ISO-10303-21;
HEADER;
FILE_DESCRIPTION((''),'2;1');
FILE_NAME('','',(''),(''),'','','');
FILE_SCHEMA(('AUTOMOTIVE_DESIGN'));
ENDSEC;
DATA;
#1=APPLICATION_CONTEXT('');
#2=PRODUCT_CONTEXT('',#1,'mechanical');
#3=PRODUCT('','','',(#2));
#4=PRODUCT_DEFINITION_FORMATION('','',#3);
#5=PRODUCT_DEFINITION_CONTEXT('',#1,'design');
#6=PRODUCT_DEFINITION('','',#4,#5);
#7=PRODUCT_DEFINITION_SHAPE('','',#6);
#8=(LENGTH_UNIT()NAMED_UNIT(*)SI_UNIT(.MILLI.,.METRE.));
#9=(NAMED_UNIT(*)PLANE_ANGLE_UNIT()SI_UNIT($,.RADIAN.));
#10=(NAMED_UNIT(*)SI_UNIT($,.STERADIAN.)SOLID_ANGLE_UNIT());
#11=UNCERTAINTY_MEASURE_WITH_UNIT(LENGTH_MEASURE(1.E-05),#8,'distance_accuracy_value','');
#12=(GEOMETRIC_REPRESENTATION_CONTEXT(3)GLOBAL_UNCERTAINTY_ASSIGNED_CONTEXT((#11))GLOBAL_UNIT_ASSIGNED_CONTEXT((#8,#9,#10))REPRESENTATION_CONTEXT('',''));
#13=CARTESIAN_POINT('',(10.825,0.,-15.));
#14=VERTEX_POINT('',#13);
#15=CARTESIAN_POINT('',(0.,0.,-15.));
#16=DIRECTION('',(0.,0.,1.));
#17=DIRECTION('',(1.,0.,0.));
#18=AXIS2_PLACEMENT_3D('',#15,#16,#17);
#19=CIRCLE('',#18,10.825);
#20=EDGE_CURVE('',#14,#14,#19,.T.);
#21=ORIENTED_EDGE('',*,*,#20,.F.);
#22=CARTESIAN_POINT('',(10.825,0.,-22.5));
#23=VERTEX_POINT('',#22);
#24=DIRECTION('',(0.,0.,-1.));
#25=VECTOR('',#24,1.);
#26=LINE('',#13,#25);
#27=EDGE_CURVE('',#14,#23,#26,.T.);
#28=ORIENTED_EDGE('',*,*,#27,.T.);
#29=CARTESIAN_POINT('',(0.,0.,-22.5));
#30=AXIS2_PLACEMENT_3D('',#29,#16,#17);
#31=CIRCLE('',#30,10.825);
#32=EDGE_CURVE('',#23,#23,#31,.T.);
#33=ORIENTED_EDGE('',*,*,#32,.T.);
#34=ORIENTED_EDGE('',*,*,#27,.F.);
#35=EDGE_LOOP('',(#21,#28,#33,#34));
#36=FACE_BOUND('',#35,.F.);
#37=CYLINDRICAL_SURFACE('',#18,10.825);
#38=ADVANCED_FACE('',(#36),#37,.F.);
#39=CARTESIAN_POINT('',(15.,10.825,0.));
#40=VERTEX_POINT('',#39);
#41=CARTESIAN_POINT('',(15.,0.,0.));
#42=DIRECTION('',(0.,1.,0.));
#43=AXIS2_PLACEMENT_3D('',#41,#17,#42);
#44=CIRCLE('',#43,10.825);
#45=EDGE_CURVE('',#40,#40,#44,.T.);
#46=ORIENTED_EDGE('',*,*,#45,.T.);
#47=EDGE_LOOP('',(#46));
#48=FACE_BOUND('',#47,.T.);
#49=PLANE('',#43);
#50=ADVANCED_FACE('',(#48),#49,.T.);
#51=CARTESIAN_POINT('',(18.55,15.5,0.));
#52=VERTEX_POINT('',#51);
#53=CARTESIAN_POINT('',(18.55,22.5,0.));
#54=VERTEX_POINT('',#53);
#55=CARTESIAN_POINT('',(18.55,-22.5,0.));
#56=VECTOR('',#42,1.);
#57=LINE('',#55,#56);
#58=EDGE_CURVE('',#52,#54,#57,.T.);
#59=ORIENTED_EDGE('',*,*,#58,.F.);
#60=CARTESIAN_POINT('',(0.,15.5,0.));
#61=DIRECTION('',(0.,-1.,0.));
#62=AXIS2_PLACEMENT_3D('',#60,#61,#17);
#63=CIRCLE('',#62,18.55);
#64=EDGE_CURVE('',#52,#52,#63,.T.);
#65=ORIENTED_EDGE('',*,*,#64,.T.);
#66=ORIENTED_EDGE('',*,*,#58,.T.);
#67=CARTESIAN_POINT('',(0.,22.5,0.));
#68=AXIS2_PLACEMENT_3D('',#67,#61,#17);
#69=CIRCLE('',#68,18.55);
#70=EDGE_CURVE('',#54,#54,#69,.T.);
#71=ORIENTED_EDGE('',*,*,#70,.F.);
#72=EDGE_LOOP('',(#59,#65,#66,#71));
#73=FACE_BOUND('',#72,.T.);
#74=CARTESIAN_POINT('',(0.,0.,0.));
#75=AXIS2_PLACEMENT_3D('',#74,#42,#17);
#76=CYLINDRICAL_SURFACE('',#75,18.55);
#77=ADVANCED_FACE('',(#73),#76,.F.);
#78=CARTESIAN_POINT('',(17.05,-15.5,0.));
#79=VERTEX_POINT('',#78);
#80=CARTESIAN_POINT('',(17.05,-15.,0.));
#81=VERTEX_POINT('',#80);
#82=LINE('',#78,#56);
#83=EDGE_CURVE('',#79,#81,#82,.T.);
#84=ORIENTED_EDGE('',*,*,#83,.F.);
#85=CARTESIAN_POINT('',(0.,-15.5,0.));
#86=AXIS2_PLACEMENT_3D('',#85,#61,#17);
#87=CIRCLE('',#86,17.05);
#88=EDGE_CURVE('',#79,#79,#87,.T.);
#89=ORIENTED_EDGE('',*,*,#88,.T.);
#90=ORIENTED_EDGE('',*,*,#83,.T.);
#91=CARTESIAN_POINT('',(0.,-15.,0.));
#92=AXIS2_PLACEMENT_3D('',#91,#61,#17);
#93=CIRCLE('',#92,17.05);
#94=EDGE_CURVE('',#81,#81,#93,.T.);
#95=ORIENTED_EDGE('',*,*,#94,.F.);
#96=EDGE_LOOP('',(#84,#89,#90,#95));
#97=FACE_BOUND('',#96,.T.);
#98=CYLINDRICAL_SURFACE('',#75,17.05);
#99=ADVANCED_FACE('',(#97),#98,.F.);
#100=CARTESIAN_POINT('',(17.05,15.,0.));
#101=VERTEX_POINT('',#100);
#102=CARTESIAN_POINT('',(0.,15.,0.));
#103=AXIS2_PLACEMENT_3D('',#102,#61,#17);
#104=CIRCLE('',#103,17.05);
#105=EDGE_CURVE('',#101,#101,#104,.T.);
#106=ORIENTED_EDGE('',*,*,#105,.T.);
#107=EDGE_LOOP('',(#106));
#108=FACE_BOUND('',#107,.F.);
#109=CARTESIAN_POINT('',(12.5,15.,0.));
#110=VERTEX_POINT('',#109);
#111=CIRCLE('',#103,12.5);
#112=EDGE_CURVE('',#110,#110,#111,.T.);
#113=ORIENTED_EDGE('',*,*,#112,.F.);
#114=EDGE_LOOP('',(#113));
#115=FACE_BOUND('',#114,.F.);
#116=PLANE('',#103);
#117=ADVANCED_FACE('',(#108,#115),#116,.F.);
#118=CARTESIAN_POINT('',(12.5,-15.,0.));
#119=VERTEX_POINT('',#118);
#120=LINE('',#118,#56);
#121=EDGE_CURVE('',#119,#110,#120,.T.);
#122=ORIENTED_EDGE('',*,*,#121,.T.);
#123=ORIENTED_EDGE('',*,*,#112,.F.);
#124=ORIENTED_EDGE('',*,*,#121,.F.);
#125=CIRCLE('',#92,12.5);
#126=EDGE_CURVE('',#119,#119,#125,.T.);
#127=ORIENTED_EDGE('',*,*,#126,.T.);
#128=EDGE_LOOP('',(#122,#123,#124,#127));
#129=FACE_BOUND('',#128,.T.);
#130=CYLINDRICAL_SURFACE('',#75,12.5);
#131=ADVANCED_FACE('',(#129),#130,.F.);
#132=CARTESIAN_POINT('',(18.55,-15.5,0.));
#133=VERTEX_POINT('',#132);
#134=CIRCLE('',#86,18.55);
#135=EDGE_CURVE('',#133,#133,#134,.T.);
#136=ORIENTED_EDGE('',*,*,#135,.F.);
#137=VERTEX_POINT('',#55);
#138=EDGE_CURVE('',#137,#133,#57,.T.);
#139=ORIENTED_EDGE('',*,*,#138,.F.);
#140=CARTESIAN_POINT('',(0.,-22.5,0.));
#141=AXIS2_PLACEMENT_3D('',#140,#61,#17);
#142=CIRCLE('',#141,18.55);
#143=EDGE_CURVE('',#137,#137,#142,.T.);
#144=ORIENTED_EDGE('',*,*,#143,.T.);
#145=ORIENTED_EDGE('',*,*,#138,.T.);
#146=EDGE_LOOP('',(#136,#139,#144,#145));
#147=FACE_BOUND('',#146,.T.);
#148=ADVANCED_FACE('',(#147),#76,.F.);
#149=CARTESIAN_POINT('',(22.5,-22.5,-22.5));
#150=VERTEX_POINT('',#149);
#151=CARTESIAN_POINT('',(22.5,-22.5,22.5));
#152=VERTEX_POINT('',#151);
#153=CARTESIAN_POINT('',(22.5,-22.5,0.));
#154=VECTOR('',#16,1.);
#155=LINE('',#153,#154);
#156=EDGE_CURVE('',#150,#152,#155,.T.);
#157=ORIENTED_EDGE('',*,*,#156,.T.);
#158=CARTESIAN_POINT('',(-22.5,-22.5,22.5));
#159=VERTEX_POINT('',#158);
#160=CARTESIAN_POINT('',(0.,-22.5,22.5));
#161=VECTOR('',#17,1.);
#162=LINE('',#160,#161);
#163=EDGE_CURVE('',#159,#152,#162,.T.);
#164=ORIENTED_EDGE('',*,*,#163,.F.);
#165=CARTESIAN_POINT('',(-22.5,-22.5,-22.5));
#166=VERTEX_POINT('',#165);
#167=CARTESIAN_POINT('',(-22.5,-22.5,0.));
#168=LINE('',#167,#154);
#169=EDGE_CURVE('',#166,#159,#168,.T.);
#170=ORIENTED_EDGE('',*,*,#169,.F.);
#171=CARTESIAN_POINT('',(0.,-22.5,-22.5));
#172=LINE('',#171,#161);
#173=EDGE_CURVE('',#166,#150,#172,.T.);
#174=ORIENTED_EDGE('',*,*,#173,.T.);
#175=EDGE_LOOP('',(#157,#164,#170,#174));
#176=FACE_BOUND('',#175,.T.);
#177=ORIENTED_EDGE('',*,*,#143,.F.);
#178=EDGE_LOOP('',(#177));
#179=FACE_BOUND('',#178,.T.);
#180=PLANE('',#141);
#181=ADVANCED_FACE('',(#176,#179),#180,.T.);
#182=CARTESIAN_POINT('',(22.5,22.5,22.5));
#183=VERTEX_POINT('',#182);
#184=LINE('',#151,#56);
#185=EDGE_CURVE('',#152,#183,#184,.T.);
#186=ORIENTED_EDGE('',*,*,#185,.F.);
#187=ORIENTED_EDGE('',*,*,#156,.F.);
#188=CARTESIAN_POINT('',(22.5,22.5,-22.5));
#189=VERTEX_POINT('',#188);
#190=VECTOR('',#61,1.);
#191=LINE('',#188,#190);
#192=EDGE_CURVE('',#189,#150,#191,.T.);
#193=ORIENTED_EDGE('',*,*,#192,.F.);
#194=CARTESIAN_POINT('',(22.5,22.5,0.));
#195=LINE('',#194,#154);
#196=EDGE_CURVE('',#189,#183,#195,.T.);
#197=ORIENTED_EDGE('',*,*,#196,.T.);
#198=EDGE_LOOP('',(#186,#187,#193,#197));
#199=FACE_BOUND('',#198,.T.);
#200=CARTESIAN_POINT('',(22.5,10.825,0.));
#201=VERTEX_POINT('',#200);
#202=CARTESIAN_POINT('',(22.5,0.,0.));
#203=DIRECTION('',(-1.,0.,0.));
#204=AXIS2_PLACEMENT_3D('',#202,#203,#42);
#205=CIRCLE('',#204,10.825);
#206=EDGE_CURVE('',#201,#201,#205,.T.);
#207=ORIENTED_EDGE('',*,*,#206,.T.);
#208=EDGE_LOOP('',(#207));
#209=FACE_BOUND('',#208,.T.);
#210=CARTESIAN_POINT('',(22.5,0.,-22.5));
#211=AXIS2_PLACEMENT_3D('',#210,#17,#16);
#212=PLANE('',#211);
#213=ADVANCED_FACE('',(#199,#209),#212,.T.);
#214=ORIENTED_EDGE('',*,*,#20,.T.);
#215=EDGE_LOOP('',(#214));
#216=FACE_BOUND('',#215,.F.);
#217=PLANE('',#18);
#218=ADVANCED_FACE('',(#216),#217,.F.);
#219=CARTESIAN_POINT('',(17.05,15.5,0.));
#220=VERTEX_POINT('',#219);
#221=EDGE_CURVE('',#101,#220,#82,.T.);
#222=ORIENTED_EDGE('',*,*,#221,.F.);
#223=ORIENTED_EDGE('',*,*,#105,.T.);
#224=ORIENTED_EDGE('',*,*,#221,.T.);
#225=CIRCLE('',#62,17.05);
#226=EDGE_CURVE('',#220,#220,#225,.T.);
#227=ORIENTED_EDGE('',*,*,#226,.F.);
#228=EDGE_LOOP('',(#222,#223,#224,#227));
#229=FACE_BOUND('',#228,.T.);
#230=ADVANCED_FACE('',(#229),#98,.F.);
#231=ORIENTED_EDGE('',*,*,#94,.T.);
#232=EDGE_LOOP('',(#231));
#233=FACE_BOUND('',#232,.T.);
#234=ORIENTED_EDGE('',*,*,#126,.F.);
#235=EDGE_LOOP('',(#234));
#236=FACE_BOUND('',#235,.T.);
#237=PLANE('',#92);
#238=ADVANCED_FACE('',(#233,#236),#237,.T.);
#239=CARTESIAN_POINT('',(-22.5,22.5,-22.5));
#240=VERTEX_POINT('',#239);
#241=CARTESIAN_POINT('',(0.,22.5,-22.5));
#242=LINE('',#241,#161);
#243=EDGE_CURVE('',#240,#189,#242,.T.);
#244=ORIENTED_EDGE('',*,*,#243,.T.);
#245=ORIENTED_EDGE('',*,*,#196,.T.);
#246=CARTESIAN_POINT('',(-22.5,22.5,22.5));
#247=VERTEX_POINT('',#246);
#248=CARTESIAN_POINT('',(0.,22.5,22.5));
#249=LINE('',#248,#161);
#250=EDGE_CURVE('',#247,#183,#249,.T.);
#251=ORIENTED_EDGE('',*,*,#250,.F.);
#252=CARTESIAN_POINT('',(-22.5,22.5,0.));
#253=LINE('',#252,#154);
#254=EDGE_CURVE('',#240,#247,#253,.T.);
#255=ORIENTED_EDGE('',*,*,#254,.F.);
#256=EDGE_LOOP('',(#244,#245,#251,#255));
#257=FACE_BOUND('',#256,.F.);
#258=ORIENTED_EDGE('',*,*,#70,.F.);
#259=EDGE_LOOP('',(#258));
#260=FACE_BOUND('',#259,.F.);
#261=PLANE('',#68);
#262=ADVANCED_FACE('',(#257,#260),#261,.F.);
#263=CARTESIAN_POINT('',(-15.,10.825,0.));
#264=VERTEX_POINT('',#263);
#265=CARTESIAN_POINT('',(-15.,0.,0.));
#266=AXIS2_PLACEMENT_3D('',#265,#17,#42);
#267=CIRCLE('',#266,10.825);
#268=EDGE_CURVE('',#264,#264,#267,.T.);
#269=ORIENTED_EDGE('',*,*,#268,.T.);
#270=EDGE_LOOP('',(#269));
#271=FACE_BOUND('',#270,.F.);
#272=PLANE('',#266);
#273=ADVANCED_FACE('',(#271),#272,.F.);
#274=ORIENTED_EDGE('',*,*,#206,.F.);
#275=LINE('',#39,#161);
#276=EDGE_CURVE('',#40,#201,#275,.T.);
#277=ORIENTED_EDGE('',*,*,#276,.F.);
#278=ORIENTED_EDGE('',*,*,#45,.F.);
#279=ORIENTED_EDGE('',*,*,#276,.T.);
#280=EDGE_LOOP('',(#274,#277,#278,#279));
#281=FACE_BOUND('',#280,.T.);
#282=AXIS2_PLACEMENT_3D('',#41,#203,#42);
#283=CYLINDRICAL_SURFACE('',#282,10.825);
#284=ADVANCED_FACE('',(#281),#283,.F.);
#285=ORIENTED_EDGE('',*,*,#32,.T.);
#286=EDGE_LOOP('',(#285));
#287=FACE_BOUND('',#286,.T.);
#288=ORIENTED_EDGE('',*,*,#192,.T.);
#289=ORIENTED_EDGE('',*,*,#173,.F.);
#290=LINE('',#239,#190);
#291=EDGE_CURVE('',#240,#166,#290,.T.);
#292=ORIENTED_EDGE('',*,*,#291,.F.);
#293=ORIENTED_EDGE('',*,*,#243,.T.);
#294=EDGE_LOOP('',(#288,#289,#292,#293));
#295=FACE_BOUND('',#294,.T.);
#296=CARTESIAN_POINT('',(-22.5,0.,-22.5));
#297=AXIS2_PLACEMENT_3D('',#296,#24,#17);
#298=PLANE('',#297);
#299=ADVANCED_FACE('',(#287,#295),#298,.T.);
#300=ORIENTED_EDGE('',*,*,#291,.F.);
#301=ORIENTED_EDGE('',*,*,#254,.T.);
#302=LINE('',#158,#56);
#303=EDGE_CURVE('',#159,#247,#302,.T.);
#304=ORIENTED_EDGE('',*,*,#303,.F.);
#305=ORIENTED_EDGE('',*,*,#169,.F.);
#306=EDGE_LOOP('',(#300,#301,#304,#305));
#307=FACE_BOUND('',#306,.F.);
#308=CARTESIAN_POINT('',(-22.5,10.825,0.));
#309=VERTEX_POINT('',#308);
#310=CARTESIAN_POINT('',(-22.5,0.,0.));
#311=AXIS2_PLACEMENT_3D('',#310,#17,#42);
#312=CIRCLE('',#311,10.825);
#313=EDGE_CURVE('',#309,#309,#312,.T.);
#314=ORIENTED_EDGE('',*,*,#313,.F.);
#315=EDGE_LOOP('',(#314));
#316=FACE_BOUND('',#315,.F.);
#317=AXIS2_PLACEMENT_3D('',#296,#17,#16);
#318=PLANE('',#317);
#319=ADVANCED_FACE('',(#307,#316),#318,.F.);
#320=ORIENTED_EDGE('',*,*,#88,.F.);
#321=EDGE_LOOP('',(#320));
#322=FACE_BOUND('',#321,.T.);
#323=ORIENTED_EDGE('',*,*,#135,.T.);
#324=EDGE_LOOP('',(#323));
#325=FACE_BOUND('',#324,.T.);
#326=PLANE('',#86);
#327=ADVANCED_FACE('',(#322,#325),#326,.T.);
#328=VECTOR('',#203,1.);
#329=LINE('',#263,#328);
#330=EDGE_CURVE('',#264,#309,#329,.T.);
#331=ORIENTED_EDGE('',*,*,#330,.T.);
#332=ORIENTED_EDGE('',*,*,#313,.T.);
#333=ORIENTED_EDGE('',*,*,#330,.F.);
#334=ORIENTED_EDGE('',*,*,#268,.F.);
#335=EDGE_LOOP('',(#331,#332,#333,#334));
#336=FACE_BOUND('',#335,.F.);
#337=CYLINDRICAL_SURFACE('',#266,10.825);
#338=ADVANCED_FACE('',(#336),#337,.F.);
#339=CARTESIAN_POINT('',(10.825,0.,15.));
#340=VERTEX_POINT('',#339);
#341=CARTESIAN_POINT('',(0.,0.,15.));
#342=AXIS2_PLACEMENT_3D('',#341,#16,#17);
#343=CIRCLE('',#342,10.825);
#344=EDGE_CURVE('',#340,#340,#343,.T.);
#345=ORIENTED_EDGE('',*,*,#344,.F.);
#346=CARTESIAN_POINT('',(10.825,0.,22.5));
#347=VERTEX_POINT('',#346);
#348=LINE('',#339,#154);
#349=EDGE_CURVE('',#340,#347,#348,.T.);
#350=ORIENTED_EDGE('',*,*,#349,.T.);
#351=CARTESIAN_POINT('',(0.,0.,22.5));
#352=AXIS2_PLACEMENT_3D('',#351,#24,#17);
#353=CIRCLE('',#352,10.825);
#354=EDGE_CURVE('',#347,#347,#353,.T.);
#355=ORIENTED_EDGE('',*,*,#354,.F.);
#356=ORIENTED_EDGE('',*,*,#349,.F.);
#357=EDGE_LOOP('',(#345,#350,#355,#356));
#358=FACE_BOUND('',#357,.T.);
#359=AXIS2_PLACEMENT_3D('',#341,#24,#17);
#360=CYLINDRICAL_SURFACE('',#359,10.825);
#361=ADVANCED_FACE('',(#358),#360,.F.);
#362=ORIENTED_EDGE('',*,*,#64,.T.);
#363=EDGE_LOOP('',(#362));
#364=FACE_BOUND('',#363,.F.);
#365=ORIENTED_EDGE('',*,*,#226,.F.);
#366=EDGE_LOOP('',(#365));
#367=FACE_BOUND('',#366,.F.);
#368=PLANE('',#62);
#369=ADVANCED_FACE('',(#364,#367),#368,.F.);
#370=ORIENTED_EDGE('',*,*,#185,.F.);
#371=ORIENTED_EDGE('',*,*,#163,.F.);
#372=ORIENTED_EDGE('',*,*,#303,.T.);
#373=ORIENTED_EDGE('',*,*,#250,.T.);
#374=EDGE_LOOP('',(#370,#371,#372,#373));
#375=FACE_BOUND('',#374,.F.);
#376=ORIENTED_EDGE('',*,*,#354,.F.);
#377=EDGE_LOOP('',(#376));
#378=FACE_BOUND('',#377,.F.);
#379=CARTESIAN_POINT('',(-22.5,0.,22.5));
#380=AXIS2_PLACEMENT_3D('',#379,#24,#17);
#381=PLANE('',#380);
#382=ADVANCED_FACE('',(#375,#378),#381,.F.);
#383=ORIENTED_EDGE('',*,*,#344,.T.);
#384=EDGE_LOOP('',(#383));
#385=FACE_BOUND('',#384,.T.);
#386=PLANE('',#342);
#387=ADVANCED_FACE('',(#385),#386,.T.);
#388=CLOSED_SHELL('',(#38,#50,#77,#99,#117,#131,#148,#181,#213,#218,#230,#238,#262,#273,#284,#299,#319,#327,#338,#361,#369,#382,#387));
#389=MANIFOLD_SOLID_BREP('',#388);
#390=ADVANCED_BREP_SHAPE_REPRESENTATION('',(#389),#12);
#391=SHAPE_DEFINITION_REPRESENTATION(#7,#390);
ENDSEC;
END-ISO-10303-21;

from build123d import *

# Parameters (mm, degrees)
F0_W     = 45
F0_H     = 45
F0_R     = 2
F0_R_2   = 18.55
F1_DEPTH = 22.5
F0_R_3   = 17.05
F2_DEPTH = 15.5
F0_R_4   = 12.5
F4_DEPTH = 15
F5_START = -15
F3_R     = 10.825
F5_DEPTH = 30
F6_START = 15
F6_DEPTH = 30
F8_START = 15
F7_R     = 10.825
F8_DEPTH = 10
F9_START = -15
F9_DEPTH = 10


with BuildPart() as f1:
    # F0 (on Front) → F1 (new body, symmetric)
    with BuildSketch(Plane.XZ):
        Rectangle(F0_W, F0_H)
        with Locations((-17.5, -17.5)):
            Circle(F0_R, mode=Mode.SUBTRACT)
        with Locations((17.5, -17.5)):
            Circle(F0_R, mode=Mode.SUBTRACT)
        with Locations((-17.5, 17.5)):
            Circle(F0_R, mode=Mode.SUBTRACT)
        Circle(F0_R_2, mode=Mode.SUBTRACT)
        with Locations((17.5, 17.5)):
            Circle(F0_R, mode=Mode.SUBTRACT)
        with Locations((-17.5, 17.5)):
            Circle(F0_R)
        with Locations((17.5, 17.5)):
            Circle(F0_R)
        with Locations((17.5, -17.5)):
            Circle(F0_R)
        with Locations((-17.5, -17.5)):
            Circle(F0_R)
    extrude(amount=F1_DEPTH, both=True)

    # F0 (on Front) → F2 (join, symmetric)
    with BuildSketch(Plane.XZ):
        Circle(F0_R_2)
        Circle(F0_R_3, mode=Mode.SUBTRACT)
    extrude(amount=F2_DEPTH, both=True)

    # F0 (on Front) → F4 (join, symmetric)
    with BuildSketch(Plane.XZ):
        Circle(F0_R_3)
        Circle(F0_R_4, mode=Mode.SUBTRACT)
    extrude(amount=F4_DEPTH, both=True)

    # F3 (on Right) → F5 (cut)
    with BuildSketch(Plane.YZ.offset(F5_START)):
        Circle(F3_R)
    extrude(amount=-F5_DEPTH, mode=Mode.SUBTRACT)

    # F3 (on Right) → F6 (cut)
    with BuildSketch(Plane.YZ.offset(F6_START)):
        Circle(F3_R)
    extrude(amount=F6_DEPTH, mode=Mode.SUBTRACT)

    # F7 (on Top) → F8 (cut)
    with BuildSketch(Plane.XY.offset(F8_START)):
        Circle(F7_R)
    extrude(amount=F8_DEPTH, mode=Mode.SUBTRACT)

    # F7 (on Top) → F9 (cut)
    with BuildSketch(Plane.XY.offset(F9_START)):
        Circle(F7_R)
    extrude(amount=-F9_DEPTH, mode=Mode.SUBTRACT)


solid = f1.part
